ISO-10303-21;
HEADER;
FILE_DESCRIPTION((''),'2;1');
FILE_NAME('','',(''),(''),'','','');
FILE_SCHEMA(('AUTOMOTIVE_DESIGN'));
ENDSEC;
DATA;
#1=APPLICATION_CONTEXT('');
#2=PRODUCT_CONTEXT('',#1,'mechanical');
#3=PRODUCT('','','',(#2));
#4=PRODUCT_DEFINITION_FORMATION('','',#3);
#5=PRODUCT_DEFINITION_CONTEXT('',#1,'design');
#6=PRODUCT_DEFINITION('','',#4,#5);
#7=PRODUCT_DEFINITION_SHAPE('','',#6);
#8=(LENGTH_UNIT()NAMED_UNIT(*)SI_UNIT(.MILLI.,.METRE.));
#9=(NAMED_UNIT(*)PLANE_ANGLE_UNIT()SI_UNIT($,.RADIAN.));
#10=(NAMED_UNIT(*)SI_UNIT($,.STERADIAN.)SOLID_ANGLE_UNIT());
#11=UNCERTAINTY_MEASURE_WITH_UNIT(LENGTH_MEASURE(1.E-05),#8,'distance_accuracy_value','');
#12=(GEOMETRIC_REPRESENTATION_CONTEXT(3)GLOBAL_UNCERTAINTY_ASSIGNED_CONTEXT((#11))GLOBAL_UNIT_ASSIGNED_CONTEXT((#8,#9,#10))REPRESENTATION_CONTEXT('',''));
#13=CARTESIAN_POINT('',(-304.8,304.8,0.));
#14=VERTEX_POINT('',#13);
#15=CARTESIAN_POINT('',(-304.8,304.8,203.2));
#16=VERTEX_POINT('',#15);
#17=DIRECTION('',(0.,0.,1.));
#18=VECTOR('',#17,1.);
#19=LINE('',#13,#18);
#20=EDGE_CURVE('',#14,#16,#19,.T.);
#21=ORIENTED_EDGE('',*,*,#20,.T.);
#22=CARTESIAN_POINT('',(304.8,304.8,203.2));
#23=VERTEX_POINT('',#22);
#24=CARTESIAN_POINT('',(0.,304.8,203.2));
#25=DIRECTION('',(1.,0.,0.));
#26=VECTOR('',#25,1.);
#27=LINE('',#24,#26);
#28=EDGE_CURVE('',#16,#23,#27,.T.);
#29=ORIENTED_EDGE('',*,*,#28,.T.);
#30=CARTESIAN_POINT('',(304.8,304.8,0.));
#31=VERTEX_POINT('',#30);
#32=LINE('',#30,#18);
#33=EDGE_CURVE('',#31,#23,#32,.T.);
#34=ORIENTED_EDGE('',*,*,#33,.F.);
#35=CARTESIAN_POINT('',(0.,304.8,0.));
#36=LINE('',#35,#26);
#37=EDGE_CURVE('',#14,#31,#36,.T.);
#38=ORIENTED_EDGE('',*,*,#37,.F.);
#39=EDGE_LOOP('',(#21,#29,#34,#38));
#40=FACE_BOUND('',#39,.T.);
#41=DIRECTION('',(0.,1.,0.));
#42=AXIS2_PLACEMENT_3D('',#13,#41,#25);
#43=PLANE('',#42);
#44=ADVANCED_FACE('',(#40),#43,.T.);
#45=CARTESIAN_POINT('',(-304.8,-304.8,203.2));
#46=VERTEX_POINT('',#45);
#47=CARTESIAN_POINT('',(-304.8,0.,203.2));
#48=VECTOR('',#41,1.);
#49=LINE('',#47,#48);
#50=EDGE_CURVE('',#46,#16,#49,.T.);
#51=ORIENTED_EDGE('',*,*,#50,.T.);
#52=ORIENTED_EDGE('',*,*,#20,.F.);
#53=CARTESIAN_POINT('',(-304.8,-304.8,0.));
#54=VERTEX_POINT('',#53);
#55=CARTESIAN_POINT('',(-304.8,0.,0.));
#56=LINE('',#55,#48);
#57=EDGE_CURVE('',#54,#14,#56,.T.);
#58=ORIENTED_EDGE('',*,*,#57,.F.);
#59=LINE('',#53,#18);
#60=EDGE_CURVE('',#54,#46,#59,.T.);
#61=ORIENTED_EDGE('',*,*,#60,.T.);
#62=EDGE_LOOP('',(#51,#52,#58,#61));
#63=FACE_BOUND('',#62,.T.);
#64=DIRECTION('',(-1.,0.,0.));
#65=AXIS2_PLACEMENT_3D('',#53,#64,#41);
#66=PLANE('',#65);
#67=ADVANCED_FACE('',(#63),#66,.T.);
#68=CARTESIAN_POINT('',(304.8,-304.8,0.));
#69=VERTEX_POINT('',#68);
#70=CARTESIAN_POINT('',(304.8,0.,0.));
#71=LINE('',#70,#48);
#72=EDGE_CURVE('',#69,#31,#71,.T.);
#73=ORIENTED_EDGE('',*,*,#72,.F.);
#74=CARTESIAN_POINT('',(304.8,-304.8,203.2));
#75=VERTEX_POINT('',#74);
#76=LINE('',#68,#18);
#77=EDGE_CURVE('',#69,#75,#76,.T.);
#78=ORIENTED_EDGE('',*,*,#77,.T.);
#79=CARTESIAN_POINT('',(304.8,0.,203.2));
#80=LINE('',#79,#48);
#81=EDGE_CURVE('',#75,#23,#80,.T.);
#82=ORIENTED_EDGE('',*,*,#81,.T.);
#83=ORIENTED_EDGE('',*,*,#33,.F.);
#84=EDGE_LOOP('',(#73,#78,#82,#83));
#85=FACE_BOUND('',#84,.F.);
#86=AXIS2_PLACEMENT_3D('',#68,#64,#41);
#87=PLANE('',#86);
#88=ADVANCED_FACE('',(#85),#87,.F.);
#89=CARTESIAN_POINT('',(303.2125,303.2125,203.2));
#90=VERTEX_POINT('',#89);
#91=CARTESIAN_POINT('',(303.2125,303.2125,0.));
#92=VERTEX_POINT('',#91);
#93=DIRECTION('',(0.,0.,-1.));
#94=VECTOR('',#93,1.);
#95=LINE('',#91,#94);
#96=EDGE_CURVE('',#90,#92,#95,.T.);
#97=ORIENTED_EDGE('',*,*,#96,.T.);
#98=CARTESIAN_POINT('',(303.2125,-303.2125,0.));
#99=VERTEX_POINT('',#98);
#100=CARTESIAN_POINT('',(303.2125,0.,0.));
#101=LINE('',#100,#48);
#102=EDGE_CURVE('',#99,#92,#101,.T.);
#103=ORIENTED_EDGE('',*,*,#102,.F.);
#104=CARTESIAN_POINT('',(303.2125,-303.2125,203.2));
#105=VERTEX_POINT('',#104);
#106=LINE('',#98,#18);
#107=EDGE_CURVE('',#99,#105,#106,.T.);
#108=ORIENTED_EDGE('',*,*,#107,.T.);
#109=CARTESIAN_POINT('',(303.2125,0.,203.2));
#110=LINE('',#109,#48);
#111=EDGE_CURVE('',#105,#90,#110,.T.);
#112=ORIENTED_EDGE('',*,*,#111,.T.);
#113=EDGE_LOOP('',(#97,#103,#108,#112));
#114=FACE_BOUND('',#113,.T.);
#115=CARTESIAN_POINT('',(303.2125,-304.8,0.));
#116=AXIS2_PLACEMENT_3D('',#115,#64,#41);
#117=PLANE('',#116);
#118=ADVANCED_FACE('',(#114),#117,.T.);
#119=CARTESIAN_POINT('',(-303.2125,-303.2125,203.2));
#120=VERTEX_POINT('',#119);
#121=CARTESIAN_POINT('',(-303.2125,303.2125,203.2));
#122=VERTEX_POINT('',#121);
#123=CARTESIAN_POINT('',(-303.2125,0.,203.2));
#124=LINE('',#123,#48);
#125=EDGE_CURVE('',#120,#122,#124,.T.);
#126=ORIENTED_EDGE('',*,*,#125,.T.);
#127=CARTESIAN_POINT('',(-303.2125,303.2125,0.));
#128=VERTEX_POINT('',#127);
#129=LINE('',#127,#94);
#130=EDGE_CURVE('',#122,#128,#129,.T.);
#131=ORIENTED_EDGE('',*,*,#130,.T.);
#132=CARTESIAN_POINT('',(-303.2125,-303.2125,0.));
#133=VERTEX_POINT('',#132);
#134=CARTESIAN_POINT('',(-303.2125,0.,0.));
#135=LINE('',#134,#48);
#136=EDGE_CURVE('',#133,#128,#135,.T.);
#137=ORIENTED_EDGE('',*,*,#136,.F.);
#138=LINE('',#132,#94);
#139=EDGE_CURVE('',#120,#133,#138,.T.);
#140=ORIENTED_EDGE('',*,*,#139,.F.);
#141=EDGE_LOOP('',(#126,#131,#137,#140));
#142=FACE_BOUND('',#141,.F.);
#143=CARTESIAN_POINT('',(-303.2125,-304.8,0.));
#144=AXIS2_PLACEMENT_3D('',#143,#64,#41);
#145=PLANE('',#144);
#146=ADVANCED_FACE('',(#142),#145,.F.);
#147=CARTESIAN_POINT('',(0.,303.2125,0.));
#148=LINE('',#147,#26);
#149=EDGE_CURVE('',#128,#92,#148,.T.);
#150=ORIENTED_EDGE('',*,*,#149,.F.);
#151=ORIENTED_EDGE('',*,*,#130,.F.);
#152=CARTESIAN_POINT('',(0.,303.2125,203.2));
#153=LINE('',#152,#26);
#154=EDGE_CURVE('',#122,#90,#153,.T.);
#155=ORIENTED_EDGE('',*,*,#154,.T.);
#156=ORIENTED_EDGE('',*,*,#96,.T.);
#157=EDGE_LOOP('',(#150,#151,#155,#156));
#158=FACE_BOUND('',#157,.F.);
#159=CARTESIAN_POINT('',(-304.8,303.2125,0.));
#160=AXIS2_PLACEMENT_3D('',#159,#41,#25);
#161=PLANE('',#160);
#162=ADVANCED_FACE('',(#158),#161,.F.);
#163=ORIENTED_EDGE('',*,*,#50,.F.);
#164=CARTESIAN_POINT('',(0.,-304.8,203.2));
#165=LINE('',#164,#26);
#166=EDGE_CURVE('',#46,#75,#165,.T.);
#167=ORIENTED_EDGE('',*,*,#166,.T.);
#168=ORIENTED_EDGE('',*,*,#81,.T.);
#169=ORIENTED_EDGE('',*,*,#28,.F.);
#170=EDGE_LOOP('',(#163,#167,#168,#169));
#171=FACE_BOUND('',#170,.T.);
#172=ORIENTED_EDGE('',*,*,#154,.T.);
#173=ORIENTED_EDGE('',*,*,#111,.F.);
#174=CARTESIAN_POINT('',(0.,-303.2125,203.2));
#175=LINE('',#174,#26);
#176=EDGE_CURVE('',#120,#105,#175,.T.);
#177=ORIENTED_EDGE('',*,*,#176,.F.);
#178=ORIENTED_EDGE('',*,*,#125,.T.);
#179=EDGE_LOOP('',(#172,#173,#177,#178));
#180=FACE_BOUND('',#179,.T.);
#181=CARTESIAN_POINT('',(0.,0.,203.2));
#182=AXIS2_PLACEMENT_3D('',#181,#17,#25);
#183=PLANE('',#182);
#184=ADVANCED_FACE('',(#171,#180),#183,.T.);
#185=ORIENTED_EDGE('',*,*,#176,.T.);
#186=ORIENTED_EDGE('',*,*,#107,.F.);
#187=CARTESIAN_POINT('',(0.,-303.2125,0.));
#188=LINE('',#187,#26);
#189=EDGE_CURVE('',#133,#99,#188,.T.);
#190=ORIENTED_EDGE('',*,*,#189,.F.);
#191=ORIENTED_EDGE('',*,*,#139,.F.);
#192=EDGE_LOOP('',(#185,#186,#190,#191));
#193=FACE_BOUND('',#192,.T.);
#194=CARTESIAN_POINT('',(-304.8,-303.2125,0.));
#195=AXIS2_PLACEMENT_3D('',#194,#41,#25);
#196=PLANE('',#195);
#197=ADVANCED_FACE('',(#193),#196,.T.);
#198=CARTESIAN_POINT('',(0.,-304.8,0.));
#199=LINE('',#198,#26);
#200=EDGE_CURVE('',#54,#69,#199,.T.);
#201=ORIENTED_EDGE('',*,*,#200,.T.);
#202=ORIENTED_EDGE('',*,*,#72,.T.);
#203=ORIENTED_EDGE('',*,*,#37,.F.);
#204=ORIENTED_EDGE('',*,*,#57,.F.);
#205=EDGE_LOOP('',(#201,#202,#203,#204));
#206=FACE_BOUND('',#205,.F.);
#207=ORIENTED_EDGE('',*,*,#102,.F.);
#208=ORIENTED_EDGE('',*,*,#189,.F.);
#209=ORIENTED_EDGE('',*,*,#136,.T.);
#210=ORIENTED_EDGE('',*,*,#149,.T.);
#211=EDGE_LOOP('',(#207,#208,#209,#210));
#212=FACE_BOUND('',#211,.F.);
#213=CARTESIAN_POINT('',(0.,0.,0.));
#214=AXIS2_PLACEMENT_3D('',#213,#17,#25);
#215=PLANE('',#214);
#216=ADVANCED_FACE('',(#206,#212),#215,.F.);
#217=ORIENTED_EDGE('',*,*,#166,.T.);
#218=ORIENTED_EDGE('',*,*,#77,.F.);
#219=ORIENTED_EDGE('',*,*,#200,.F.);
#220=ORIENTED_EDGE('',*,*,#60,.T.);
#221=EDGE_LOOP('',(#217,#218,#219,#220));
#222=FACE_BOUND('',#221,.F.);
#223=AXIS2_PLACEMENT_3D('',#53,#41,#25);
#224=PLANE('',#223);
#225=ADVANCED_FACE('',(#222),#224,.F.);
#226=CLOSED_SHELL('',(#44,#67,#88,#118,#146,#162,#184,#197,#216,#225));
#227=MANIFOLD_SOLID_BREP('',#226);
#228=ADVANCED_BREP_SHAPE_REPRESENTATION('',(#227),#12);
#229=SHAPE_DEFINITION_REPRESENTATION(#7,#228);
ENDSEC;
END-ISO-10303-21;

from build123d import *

# Parameters (mm, degrees)
F0_W     = 609.6
F0_H     = 609.6
F1_DEPTH = 203.2
F2_T     = -1.5875


with BuildPart() as f1:
    # F0 (on Top) → F1 (new body)
    with BuildSketch(Plane.XY):
        Rectangle(F0_W, F0_H)
    extrude(amount=F1_DEPTH)

    # F2
    f2_openings = [f1.faces().sort_by_distance(p)[0] for p in [
        (0, 0, 203.2),
        (0, 0, 0),
    ]]
    offset(amount=F2_T, openings=f2_openings)


solid = f1.part
